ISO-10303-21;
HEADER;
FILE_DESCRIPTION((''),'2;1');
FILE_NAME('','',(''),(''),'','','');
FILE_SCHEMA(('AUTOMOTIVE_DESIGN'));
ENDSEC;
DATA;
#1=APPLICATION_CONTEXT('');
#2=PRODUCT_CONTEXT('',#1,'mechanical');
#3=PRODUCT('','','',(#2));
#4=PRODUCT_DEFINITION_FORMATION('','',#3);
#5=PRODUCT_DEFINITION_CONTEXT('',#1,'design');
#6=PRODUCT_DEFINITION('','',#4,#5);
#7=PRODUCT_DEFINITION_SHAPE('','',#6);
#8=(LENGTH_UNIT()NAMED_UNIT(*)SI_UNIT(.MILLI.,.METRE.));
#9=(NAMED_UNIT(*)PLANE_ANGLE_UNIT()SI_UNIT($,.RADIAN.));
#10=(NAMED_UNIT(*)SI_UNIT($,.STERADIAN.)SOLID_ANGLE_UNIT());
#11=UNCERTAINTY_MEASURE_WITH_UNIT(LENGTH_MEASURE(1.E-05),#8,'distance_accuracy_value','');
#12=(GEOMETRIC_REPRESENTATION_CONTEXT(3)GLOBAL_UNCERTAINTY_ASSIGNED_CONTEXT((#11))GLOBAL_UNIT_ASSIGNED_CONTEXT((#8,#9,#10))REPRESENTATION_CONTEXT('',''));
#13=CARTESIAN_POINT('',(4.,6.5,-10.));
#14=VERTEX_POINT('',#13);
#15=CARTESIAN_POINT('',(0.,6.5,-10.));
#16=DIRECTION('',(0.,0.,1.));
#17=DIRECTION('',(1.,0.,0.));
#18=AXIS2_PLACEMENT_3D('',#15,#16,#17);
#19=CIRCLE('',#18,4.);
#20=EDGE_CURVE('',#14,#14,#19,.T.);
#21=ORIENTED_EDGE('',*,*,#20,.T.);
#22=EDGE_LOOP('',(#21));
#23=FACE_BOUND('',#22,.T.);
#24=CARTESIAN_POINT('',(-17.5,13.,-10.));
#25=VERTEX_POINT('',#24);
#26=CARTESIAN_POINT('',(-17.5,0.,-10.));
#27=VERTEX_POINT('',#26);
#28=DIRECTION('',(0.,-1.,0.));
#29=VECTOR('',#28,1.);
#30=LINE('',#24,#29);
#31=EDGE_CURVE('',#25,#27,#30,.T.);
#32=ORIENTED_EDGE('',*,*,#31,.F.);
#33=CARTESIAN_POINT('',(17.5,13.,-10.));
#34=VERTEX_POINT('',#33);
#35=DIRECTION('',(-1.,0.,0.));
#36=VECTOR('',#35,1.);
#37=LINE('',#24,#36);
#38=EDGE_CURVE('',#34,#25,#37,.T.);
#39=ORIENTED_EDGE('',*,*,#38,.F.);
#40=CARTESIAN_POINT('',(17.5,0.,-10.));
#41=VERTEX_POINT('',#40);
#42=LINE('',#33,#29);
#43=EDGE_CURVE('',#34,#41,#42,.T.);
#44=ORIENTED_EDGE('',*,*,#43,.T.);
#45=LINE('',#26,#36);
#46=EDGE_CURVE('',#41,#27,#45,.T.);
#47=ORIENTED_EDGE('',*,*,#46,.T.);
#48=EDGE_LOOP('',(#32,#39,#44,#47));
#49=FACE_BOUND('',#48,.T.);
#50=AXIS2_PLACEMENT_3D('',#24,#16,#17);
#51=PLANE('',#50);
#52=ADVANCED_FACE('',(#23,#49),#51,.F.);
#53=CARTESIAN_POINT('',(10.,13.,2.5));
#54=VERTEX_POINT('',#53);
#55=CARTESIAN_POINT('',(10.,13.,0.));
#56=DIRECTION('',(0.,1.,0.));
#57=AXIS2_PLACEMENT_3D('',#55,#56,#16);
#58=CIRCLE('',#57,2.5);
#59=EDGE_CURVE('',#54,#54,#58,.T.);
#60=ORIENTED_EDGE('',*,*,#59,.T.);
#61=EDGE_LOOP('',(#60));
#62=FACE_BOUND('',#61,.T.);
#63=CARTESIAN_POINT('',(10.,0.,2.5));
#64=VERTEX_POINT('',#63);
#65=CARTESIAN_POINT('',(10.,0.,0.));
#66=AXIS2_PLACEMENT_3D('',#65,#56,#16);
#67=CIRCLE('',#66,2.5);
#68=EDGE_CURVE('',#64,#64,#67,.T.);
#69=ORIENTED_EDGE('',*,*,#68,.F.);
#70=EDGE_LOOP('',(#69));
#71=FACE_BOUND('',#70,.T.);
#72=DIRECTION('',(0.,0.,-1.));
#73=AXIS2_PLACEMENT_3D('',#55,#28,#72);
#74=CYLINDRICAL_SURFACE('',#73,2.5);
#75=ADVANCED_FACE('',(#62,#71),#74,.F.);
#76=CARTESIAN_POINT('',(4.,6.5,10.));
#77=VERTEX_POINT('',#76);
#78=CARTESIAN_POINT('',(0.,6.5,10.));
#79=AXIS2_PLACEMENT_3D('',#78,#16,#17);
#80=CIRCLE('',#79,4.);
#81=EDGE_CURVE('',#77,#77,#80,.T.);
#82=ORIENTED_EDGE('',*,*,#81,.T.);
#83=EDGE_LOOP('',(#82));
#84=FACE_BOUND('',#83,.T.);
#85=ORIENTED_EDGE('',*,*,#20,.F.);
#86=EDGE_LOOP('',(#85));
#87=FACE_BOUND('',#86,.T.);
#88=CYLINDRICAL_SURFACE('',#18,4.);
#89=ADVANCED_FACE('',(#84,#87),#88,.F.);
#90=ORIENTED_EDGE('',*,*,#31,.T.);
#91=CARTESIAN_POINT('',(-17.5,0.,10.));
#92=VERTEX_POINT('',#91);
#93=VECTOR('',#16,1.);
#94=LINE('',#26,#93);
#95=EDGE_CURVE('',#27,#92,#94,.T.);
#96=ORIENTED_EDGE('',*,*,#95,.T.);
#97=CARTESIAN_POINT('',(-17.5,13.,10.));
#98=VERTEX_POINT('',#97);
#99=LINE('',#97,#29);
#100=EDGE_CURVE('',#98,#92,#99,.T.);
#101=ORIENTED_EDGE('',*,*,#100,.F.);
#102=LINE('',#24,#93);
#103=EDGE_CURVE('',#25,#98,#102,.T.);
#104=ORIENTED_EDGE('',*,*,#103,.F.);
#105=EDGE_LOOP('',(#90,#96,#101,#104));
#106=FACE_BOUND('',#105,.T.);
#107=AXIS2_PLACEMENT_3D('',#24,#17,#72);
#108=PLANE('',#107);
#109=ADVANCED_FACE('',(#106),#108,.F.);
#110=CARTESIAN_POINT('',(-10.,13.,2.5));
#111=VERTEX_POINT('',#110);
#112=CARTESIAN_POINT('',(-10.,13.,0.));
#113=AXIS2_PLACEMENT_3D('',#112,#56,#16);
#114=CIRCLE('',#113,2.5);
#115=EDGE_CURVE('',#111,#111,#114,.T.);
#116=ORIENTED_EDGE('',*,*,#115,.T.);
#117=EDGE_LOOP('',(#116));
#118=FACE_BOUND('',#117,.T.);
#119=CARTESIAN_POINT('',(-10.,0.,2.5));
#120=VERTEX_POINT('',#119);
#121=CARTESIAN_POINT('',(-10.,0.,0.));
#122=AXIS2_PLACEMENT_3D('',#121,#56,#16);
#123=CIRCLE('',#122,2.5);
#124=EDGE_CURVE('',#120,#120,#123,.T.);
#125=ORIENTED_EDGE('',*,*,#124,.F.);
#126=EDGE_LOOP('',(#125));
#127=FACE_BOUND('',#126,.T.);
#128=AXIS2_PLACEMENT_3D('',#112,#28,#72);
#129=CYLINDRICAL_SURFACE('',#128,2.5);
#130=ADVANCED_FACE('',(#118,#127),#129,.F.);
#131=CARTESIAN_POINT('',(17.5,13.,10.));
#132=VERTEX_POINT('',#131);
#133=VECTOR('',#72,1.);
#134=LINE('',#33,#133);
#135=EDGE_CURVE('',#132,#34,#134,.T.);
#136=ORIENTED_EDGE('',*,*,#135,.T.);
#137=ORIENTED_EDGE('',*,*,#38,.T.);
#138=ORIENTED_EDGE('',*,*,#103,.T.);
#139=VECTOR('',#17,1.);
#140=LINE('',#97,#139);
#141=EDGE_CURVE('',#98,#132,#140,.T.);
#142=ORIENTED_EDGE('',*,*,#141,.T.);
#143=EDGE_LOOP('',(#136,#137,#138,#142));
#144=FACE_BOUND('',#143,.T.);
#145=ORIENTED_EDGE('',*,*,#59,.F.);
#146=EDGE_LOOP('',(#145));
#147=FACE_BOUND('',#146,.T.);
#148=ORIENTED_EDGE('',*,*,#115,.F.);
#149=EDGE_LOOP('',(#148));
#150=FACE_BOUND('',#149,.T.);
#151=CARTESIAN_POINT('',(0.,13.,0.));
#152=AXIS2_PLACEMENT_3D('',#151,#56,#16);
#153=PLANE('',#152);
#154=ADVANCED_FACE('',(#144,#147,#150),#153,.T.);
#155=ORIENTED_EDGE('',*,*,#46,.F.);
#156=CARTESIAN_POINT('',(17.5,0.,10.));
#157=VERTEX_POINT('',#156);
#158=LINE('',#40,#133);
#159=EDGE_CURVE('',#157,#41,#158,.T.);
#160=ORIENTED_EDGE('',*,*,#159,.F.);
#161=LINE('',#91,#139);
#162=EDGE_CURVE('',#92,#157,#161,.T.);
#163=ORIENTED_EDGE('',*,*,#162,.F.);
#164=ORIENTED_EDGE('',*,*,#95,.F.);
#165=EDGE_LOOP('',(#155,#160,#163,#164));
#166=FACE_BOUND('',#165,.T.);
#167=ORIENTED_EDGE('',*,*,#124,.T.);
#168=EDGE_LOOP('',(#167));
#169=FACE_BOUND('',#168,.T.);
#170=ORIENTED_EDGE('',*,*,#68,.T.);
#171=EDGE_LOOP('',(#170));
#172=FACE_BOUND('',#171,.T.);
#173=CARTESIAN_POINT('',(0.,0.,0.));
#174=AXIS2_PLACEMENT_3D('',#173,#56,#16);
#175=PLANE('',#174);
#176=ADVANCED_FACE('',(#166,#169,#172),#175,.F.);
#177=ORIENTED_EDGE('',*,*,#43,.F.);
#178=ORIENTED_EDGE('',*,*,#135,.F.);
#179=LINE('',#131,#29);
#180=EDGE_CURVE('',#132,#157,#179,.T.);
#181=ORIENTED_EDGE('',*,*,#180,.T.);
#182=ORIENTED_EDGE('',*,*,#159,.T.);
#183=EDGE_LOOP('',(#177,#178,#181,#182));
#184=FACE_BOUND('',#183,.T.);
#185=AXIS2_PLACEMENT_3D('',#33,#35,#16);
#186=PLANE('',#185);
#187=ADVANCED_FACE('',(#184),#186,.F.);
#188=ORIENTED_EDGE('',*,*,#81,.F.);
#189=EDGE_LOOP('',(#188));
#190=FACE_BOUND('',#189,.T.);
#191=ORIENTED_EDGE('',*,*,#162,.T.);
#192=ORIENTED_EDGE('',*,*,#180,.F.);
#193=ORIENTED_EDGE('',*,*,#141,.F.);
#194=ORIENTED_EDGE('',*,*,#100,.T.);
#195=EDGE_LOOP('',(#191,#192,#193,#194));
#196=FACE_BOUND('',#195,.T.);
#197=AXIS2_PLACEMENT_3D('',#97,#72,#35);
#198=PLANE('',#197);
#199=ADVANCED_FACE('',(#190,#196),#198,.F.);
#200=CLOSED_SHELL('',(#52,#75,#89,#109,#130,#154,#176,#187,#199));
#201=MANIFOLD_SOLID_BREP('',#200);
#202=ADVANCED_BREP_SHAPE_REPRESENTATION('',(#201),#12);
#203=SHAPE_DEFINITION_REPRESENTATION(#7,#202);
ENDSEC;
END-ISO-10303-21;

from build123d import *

# Parameters (mm, degrees)
SKETCH1_W           = 35
SKETCH1_H           = 20
SKETCH1_R           = 2.5
BOSS_EXTRUDE1_DEPTH = 13
SKETCH2_R           = 4
CUT_EXTRUDE1_DEPTH  = 30.584624385


with BuildPart() as part:
    # Sketch1 → Boss-Extrude1 (new body)
    with BuildSketch(Plane(origin=(0, 0, 0), x_dir=(1, 0, 0), z_dir=(0, 1, 0))):
        Rectangle(SKETCH1_W, SKETCH1_H)
        with Locations(Location((-10, 0, 0), (0, 0, 270))):
            Circle(SKETCH1_R, mode=Mode.SUBTRACT)
        with Locations(Location((10, 0, 0), (0, 0, 270))):
            Circle(SKETCH1_R, mode=Mode.SUBTRACT)
    extrude(amount=BOSS_EXTRUDE1_DEPTH)

    # Sketch2 → Cut-Extrude1 (cut, through all)
    with BuildSketch(Plane.XY.offset(10)):
        with Locations((0, 6.5)):
            Circle(SKETCH2_R)
    extrude(amount=-CUT_EXTRUDE1_DEPTH, mode=Mode.SUBTRACT)


solid = part.part
